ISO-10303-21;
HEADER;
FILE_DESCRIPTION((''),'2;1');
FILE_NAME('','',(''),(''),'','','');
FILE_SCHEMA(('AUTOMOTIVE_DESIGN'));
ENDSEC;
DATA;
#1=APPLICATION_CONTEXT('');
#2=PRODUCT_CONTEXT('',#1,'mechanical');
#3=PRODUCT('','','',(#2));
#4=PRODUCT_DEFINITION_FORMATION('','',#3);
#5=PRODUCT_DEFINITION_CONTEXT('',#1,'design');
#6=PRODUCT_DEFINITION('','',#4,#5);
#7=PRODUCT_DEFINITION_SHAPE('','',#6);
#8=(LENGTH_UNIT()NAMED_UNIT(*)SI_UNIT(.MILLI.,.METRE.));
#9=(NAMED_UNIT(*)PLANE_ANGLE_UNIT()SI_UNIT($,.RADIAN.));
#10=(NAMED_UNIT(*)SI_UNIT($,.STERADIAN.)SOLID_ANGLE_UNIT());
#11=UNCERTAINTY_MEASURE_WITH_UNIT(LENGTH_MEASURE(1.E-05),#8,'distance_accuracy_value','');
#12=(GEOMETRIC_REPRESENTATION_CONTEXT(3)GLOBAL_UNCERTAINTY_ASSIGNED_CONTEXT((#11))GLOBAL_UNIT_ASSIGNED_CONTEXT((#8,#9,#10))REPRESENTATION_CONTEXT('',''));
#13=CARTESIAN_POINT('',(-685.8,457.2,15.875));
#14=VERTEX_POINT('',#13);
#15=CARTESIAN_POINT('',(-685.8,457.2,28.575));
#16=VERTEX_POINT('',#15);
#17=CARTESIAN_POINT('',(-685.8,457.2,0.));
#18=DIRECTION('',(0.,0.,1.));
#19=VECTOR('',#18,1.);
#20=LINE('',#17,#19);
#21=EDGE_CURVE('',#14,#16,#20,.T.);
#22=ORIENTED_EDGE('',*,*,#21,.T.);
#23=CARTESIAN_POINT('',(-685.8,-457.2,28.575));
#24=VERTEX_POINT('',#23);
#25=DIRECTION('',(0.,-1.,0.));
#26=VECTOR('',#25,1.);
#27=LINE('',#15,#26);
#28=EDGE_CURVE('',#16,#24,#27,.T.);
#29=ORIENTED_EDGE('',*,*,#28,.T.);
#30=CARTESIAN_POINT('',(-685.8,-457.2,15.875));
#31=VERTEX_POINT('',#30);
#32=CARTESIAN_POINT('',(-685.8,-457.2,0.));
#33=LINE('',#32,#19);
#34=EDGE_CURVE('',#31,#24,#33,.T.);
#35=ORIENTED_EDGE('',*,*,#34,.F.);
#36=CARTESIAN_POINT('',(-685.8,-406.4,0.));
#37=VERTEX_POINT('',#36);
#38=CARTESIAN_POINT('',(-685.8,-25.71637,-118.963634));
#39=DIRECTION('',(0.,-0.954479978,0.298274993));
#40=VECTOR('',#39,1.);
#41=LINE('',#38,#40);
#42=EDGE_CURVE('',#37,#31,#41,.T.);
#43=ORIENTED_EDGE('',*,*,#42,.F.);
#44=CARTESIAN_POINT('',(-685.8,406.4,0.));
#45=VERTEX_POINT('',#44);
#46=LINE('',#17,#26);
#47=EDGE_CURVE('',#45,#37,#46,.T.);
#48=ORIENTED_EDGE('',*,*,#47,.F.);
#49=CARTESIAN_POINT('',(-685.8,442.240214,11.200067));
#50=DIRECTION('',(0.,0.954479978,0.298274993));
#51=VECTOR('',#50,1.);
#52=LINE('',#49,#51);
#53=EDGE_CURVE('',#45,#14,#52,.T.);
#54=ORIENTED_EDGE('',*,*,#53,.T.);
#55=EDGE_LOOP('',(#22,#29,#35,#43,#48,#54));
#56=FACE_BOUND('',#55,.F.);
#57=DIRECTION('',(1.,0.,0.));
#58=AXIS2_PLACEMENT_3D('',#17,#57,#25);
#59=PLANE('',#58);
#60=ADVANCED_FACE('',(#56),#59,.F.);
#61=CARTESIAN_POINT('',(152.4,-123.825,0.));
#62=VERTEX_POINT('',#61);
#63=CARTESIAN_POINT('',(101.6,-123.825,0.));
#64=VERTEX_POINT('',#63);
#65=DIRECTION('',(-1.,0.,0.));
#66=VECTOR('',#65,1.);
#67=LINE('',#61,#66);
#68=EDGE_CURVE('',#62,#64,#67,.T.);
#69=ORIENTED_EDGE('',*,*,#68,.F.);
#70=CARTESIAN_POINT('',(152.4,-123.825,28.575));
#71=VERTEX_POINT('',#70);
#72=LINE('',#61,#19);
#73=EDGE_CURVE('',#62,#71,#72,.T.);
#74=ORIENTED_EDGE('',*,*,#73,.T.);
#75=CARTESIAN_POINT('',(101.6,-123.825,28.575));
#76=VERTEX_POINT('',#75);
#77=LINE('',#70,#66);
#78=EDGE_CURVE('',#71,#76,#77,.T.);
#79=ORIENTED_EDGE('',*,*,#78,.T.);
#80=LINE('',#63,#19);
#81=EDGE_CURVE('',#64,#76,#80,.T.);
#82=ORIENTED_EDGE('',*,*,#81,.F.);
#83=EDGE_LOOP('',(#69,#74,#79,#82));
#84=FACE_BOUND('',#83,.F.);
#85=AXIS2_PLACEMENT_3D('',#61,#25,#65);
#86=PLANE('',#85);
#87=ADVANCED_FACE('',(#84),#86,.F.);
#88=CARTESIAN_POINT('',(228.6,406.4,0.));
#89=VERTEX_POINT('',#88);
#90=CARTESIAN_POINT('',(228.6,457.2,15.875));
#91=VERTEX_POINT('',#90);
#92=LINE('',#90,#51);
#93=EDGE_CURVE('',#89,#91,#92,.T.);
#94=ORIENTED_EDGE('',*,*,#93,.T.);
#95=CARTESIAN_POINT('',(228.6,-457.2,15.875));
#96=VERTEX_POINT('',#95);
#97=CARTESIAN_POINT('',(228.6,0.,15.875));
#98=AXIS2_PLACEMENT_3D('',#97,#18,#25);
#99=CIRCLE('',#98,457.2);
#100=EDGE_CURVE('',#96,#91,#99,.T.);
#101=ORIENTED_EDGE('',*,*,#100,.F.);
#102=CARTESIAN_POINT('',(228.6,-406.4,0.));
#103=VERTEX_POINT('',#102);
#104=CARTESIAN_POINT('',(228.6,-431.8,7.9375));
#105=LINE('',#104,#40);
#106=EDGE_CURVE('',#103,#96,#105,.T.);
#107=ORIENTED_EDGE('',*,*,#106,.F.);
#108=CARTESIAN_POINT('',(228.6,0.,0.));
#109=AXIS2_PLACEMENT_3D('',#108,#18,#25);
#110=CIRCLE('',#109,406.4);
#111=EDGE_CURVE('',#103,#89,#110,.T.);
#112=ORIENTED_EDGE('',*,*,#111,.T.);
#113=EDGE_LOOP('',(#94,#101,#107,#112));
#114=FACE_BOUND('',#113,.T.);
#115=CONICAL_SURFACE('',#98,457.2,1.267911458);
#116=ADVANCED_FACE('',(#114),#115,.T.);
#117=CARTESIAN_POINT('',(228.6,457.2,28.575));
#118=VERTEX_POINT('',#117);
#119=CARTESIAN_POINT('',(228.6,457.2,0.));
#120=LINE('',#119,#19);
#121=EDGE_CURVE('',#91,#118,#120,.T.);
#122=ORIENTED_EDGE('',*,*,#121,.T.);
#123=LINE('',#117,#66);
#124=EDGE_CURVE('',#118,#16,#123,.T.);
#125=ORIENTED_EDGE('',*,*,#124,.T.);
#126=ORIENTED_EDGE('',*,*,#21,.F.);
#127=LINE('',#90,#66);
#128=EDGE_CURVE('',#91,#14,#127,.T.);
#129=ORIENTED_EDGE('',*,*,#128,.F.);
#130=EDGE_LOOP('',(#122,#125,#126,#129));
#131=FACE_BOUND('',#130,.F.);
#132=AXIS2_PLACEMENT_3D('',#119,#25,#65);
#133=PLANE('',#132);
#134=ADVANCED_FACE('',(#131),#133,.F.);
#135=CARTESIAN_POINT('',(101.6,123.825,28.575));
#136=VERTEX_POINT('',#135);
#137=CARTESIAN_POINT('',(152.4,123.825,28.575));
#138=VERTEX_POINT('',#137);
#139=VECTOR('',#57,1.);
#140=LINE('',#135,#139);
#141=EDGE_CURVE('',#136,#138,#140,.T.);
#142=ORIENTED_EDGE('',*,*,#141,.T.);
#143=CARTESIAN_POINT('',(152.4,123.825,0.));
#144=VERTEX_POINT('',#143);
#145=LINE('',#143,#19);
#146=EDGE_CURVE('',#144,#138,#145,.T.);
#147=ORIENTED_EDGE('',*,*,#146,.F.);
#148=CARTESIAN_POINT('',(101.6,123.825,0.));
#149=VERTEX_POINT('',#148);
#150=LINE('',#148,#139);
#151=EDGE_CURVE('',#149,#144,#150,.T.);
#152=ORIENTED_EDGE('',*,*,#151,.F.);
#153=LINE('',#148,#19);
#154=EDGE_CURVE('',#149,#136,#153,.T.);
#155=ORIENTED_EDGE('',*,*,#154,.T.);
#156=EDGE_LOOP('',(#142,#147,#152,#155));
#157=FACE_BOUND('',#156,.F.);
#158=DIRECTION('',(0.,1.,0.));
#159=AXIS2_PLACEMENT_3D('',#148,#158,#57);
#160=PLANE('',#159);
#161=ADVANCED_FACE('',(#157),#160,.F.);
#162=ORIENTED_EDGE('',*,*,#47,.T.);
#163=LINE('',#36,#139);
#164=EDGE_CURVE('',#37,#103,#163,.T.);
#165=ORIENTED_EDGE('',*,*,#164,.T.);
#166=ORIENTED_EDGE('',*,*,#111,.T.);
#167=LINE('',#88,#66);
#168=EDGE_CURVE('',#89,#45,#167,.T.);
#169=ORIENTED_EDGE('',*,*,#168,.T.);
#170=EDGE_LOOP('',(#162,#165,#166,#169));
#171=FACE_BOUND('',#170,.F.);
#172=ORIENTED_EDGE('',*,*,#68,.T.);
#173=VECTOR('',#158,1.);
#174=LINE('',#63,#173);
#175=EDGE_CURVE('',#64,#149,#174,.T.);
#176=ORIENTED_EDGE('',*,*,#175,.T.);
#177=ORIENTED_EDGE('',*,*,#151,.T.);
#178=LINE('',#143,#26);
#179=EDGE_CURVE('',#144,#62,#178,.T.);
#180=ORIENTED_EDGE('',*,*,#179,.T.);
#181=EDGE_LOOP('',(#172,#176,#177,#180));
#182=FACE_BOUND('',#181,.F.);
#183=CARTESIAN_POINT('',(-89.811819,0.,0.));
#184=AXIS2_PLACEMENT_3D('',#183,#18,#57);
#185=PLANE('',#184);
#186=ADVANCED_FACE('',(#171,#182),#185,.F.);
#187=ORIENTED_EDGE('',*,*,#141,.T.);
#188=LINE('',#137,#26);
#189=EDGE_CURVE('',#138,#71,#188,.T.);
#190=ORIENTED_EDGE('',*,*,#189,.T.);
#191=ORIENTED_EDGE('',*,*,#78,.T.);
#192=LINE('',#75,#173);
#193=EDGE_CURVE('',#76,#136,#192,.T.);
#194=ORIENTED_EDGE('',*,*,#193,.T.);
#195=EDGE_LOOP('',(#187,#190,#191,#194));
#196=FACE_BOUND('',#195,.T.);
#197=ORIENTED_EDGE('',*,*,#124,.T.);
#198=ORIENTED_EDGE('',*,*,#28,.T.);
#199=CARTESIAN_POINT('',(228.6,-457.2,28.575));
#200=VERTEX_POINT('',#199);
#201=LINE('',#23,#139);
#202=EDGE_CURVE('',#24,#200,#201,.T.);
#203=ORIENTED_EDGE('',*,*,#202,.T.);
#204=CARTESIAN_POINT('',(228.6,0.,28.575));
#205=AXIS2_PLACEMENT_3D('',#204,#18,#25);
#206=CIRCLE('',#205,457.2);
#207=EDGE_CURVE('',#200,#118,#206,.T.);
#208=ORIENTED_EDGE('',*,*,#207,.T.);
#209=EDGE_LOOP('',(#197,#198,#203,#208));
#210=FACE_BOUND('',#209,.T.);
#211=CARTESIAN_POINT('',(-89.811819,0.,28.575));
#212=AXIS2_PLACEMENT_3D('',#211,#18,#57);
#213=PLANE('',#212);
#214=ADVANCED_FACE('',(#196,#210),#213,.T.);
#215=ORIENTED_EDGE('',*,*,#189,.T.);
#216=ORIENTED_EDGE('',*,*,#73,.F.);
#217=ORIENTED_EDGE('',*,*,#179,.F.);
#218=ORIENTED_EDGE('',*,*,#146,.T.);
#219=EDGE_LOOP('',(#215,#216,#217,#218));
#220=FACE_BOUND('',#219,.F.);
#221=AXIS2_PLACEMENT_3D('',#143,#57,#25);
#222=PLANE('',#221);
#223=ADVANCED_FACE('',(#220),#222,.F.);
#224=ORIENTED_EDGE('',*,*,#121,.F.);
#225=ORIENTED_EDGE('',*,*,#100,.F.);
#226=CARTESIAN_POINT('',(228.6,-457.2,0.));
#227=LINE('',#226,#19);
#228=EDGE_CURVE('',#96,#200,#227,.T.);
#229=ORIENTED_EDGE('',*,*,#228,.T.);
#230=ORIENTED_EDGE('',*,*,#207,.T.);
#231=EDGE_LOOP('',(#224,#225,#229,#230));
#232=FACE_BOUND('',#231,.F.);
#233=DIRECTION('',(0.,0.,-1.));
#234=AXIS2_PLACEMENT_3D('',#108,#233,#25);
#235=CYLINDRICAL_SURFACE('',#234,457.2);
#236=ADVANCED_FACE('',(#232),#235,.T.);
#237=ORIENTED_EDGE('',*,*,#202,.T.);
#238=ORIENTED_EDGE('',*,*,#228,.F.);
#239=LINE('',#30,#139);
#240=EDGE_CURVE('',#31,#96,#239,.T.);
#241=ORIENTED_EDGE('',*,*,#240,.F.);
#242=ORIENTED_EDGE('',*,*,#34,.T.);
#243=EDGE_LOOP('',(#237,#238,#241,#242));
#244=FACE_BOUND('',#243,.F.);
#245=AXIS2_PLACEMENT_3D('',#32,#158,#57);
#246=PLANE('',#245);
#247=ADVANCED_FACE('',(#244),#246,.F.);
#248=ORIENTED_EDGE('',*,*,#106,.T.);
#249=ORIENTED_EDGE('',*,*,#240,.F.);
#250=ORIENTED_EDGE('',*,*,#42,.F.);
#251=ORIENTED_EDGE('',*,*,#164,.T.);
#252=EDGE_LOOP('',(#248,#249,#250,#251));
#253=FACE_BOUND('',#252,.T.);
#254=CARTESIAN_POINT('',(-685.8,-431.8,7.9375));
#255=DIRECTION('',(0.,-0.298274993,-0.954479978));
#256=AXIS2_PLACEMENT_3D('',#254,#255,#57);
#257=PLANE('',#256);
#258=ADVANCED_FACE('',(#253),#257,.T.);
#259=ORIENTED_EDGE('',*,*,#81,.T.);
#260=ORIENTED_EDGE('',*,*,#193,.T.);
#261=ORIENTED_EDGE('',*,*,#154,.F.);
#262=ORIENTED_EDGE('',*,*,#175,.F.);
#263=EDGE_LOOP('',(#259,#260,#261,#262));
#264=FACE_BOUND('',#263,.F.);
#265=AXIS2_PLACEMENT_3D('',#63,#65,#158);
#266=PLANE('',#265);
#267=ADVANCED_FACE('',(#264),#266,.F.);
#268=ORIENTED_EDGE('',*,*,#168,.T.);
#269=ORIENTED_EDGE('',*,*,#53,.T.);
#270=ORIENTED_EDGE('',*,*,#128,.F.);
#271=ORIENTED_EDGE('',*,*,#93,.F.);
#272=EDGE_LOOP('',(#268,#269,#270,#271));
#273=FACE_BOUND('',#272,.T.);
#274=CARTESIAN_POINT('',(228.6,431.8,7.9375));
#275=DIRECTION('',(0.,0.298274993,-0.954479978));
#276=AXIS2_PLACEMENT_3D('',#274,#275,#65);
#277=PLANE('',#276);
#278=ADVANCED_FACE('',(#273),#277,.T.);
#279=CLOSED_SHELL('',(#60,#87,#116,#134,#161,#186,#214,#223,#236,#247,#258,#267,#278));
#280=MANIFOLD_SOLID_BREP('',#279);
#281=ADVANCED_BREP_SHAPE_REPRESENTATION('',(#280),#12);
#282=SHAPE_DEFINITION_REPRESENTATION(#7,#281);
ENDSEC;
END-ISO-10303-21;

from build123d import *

# Parameters (mm, degrees)
F1_DEPTH = 28.575
F2_SIZE2 = 15.875
F2_SIZE  = 50.8


with BuildPart() as f1:
    # F0 (on Top) → F1 (new body)
    with BuildSketch(Plane.XY):
        with BuildLine():
            Line((228.6, 457.2), (-685.8, 457.2))
            Line((-685.8, 457.2), (-685.8, -457.2))
            Line((-685.8, -457.2), (228.6, -457.2))
            ThreePointArc((228.6, -457.2), (551.8892203585, -323.2892203585), (685.8, 0))
            ThreePointArc((685.8, 0), (551.8892203585, 323.2892203585), (228.6, 457.2))
        make_face()
        Polygon((152.4, 123.825), (152.4, 0), (152.4, -123.825), (101.6, -123.825), (101.6, 123.825), align=None, mode=Mode.SUBTRACT)
    extrude(amount=F1_DEPTH)

    # F2
    f2_edges = [f1.edges().sort_by_distance(p)[0] for p in [
        (-228.6, 457.2, 0),
        (685.8, 0, 0),
        (-228.6, -457.2, 0),
    ]]
    f2_side = f1.faces().sort_by_distance((-46.847704, 0, 0))[0]
    chamfer(f2_edges, length=F2_SIZE, length2=F2_SIZE2, reference=f2_side)


solid = f1.part
